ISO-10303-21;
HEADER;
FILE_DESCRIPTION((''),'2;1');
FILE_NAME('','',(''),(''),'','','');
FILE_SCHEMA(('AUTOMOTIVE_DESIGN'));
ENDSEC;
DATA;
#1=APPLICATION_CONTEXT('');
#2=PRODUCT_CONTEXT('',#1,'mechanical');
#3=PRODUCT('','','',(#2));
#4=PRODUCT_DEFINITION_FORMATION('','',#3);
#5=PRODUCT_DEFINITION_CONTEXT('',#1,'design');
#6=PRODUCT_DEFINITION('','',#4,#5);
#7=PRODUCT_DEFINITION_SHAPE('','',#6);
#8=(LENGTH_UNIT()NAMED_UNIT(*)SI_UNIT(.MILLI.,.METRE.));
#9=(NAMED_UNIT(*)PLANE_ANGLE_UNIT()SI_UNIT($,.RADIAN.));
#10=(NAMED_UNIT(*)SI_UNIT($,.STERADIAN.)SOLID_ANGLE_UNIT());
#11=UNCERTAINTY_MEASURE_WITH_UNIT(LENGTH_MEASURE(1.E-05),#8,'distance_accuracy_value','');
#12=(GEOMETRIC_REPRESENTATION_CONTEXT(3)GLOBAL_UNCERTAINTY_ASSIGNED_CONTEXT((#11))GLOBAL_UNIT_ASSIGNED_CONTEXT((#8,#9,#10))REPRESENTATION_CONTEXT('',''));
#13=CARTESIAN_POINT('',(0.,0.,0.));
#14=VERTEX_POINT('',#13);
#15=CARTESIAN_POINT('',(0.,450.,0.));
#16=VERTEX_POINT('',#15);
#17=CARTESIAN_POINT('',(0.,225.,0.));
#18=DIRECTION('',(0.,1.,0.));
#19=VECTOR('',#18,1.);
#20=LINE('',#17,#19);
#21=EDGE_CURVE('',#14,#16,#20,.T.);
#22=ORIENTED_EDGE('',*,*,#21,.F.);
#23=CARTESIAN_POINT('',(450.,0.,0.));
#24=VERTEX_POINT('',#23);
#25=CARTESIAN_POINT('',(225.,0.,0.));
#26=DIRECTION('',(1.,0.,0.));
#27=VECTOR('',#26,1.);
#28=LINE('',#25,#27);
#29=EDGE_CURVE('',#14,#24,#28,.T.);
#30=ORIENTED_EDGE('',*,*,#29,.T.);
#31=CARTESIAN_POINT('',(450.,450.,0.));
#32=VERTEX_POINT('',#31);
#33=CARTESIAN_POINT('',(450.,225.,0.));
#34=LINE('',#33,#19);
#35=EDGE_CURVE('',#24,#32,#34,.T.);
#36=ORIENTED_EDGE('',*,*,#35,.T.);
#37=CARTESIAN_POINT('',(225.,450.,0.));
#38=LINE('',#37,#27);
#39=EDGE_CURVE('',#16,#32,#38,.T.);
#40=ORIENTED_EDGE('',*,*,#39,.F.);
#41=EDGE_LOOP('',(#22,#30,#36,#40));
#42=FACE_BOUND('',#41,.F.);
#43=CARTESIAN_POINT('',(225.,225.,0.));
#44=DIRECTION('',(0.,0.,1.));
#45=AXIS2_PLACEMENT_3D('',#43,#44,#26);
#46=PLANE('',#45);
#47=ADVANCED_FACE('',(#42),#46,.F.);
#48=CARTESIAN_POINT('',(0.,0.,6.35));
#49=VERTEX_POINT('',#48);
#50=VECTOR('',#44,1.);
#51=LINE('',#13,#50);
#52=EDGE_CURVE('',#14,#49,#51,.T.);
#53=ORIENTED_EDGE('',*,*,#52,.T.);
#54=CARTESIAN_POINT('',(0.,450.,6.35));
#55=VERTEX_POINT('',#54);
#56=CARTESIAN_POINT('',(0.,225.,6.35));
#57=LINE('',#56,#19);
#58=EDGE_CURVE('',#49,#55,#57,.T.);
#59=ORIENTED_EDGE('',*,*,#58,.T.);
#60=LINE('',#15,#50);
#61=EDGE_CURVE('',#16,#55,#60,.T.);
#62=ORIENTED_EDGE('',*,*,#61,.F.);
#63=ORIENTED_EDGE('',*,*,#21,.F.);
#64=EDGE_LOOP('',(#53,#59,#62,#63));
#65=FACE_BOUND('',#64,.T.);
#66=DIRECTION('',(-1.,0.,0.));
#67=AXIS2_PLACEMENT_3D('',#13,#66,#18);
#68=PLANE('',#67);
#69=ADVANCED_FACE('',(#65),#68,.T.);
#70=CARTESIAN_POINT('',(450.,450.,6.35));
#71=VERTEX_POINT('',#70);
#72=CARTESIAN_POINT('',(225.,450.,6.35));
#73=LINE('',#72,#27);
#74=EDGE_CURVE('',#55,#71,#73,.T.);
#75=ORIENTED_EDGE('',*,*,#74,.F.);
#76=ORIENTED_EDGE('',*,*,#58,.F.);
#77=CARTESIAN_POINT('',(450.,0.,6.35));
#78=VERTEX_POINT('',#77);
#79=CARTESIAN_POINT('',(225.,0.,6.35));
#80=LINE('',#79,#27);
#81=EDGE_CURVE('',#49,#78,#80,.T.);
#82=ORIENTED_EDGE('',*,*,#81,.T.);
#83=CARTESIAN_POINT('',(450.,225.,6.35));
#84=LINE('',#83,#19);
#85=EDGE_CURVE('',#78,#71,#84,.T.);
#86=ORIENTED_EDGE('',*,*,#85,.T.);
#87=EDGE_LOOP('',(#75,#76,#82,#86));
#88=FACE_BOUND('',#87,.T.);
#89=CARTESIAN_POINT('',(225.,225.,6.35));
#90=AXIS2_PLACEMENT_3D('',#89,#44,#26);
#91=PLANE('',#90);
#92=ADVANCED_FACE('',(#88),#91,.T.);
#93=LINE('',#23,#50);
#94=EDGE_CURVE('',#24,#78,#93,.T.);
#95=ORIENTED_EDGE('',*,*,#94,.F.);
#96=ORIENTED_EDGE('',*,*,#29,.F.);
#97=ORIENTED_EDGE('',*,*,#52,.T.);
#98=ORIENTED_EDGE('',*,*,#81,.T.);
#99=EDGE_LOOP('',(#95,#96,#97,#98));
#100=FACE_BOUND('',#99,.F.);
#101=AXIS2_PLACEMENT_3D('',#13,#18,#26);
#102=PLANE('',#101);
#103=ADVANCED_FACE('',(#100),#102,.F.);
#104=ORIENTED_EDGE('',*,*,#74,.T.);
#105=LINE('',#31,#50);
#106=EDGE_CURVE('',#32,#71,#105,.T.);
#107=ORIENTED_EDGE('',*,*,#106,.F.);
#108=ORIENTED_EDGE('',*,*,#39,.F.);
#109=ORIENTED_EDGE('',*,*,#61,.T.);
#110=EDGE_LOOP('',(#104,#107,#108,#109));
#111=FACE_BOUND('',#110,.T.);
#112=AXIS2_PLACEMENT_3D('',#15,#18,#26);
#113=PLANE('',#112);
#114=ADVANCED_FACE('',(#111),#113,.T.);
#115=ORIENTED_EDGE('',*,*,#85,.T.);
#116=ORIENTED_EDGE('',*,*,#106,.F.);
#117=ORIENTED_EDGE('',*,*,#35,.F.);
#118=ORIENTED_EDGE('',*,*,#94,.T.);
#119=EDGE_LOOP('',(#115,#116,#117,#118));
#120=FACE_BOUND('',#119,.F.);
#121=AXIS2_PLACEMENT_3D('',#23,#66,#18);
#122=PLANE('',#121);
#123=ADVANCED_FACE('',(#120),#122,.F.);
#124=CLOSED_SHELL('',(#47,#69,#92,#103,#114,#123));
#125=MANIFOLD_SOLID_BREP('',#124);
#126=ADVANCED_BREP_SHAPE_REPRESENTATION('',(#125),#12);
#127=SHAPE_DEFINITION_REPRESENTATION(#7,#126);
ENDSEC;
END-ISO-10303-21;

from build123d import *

# Parameters (mm, degrees)
SKETCH_W  = 450
SKETCH_H  = 450
PAD_DEPTH = 6.35


with BuildPart() as part:
    # Sketch → Pad (new body)
    with BuildSketch(Plane.XY):
        with Locations((225, 225)):
            Rectangle(SKETCH_W, SKETCH_H)
    extrude(amount=PAD_DEPTH)


solid = part.part
